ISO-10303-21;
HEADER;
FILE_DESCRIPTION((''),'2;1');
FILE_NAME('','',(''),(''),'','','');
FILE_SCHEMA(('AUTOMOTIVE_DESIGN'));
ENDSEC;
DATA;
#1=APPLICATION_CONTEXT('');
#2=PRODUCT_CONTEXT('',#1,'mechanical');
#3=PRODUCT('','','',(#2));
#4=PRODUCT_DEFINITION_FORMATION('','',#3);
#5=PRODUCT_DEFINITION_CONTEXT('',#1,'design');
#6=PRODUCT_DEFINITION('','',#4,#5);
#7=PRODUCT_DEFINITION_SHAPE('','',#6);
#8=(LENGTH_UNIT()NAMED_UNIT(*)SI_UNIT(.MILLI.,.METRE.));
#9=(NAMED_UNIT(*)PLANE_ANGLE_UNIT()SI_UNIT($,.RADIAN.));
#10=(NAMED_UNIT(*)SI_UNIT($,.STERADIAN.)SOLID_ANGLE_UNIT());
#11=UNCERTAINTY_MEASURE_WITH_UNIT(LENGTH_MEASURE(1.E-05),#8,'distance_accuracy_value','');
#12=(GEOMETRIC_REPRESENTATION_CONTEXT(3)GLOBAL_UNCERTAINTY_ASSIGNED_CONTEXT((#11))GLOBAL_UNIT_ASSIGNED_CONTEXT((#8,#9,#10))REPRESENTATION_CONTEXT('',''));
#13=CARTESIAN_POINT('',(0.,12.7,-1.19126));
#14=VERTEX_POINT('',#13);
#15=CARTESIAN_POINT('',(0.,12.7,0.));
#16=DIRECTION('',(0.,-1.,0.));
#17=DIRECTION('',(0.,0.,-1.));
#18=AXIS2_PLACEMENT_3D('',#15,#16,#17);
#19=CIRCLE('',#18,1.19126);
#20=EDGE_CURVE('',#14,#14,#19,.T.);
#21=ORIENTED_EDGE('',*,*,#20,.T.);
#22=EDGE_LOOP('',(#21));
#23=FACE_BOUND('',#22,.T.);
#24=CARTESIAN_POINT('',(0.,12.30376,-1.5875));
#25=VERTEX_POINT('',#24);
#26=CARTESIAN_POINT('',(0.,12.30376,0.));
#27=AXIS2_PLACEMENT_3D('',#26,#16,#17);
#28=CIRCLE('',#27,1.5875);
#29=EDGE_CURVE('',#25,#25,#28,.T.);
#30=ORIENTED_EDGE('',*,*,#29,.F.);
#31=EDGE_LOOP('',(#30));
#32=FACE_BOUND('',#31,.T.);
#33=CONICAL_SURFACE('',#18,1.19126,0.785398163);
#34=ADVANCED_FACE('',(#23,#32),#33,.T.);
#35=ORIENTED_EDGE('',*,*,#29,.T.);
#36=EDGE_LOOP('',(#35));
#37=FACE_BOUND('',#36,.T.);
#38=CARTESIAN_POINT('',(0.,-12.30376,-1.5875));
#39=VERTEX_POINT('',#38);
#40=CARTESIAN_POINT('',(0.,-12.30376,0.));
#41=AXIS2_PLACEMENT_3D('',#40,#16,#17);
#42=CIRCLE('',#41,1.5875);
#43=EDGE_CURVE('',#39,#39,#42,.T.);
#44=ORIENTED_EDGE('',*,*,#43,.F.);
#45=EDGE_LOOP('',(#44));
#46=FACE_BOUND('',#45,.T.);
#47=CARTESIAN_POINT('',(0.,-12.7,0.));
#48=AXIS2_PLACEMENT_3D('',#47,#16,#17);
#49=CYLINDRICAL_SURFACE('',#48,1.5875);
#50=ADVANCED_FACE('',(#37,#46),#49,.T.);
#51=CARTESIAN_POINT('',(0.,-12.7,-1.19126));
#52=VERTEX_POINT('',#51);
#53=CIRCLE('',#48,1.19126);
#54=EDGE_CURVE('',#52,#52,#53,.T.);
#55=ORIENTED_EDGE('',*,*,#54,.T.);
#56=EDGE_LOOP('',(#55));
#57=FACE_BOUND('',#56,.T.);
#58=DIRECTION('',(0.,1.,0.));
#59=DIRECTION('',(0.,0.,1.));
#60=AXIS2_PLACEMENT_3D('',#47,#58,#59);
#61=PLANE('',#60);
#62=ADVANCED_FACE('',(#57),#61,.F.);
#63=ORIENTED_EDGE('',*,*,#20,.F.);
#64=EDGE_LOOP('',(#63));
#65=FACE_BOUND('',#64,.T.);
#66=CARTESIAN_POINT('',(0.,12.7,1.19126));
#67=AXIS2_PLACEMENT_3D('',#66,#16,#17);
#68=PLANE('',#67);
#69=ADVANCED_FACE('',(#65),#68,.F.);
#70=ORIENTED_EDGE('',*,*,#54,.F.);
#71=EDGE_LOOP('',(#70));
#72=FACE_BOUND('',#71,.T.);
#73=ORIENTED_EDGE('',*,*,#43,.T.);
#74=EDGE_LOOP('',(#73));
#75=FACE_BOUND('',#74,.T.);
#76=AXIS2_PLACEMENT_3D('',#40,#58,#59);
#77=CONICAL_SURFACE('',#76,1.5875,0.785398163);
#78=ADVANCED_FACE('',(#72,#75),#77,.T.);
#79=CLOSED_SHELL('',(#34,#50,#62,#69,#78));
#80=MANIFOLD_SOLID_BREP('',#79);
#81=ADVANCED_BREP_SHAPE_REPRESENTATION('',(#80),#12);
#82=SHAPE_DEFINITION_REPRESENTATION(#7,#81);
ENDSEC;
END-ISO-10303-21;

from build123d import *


with BuildPart() as part:
    # Sketch1 → Revolve1 (revolve)
    with BuildSketch(Plane.YZ, mode=Mode.PRIVATE) as revolve1_sk:
        Polygon((-12.7, 0), (12.7, 0), (12.7, 1.19126), (12.30376, 1.5875), (-12.30376, 1.5875), (-12.7, 1.19126), align=None)
    revolve(revolve1_sk.sketch.rotate(Axis((0, -12.7, 0), (0, 1, 0)), 180), axis=Axis((0, -12.7, 0), (0, 1, 0)))


solid = part.part
